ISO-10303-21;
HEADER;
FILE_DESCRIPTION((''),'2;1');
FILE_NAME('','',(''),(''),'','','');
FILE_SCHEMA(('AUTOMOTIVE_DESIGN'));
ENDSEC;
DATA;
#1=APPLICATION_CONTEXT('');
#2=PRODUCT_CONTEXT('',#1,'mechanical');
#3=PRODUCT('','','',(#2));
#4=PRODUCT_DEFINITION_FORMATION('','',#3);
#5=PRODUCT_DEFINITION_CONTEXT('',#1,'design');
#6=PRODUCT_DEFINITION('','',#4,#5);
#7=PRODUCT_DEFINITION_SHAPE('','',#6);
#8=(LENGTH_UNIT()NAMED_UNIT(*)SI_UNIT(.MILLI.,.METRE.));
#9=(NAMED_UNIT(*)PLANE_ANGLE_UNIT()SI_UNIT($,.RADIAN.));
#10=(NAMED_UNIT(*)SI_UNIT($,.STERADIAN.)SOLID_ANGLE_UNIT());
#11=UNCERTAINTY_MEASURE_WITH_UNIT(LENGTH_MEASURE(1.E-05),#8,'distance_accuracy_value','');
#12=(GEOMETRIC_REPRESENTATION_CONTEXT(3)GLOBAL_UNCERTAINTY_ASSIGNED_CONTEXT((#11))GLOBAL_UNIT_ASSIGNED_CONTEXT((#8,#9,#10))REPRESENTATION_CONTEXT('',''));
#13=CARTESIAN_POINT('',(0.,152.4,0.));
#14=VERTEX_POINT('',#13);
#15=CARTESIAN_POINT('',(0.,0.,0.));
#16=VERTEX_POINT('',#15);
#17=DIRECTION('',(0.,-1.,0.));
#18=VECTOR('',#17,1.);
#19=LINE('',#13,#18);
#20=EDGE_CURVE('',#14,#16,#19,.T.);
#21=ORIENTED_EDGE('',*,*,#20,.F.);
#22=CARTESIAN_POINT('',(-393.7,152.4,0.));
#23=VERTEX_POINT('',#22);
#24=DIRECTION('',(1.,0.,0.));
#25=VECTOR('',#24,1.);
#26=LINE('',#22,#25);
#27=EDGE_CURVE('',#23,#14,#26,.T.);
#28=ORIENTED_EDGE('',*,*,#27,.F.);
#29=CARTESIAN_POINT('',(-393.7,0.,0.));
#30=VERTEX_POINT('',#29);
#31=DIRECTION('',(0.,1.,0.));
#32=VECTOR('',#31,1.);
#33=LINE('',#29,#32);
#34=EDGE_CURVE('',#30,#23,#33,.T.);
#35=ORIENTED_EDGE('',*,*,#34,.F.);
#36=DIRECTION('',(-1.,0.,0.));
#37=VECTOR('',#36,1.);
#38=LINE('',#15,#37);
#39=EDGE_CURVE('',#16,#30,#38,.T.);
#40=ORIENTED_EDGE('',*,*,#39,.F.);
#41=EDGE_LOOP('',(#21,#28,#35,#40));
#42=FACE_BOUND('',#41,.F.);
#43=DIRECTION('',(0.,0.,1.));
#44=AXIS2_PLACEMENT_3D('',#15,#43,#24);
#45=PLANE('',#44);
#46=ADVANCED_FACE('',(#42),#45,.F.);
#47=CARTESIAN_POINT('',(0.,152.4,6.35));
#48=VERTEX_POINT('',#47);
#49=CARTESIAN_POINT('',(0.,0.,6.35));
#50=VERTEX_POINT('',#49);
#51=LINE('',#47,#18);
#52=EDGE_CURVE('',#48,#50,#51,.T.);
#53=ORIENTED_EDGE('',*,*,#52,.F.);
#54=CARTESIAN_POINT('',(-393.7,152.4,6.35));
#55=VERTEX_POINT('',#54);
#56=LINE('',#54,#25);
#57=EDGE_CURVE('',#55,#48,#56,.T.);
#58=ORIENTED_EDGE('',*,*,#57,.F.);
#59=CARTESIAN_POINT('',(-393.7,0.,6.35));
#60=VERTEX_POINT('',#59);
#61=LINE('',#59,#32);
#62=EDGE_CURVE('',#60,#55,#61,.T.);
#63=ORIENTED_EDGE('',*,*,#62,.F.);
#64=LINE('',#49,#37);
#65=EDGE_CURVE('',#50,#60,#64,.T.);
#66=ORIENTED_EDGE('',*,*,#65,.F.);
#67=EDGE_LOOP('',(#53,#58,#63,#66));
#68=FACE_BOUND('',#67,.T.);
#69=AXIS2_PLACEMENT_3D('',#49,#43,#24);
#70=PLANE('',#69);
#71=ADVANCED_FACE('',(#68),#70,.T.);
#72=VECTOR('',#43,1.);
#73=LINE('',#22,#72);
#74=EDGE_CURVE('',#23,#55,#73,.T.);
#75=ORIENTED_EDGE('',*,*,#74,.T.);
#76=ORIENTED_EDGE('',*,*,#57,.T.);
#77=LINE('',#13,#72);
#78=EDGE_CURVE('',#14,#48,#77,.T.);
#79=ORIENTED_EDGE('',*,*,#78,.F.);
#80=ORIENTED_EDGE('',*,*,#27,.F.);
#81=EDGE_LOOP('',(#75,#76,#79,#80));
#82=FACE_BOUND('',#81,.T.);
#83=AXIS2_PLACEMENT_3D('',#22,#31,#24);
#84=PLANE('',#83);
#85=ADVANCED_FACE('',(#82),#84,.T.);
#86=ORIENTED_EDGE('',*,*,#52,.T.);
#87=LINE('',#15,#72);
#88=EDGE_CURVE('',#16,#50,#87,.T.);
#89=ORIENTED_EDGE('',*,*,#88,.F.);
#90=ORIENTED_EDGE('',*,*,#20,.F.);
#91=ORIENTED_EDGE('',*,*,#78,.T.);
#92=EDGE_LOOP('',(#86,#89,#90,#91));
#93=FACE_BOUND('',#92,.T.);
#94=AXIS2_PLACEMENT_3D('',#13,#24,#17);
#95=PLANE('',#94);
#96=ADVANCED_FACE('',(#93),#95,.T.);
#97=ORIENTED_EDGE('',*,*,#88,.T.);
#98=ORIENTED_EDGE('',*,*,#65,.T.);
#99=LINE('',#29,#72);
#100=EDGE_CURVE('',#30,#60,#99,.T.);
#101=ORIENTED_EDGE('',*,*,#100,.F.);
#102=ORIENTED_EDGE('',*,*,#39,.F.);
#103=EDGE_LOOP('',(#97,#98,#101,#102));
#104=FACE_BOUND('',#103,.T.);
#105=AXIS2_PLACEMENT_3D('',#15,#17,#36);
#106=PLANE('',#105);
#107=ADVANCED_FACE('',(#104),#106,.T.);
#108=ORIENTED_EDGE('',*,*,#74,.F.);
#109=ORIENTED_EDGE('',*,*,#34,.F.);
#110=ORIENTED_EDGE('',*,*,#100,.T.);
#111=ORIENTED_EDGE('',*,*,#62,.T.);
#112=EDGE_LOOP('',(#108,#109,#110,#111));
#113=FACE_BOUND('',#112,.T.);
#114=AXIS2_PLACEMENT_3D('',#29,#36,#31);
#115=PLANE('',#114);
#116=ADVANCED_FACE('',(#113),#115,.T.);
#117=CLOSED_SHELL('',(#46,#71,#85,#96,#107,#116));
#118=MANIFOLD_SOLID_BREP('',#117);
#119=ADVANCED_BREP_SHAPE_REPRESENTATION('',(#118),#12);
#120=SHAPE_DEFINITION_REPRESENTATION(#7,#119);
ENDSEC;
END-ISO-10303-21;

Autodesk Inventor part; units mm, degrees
ref_plane "YZ Plane" through (0, 0, 0) normal (1, 0, 0) x (0, 1, 0)
ref_plane "XZ Plane" through (0, 0, 0) normal (0, 1, 0) x (-1, 0, 0)
ref_plane "XY Plane" through (0, 0, 0) normal (0, 0, 1) x (1, 0, 0)
sketch "Sketch1" plane through (0, 0, 0) normal (0, 0, 1) x (1, 0, 0)
  line L0 (0, 0) -> (-393.7, 0)
  line L1 (-393.7, 0) -> (-393.7, 152.4)
  line L2 (-393.7, 152.4) -> (0, 152.4)
  line L3 (0, 152.4) -> (0, 0)
  dimension "d0" = 393.7
  dimension "d1" = 152.4
extrude "Extrusion1" add sketch "Sketch1" along normal blind 6.35
properties part number "vrRig_v8_largeMirror"
